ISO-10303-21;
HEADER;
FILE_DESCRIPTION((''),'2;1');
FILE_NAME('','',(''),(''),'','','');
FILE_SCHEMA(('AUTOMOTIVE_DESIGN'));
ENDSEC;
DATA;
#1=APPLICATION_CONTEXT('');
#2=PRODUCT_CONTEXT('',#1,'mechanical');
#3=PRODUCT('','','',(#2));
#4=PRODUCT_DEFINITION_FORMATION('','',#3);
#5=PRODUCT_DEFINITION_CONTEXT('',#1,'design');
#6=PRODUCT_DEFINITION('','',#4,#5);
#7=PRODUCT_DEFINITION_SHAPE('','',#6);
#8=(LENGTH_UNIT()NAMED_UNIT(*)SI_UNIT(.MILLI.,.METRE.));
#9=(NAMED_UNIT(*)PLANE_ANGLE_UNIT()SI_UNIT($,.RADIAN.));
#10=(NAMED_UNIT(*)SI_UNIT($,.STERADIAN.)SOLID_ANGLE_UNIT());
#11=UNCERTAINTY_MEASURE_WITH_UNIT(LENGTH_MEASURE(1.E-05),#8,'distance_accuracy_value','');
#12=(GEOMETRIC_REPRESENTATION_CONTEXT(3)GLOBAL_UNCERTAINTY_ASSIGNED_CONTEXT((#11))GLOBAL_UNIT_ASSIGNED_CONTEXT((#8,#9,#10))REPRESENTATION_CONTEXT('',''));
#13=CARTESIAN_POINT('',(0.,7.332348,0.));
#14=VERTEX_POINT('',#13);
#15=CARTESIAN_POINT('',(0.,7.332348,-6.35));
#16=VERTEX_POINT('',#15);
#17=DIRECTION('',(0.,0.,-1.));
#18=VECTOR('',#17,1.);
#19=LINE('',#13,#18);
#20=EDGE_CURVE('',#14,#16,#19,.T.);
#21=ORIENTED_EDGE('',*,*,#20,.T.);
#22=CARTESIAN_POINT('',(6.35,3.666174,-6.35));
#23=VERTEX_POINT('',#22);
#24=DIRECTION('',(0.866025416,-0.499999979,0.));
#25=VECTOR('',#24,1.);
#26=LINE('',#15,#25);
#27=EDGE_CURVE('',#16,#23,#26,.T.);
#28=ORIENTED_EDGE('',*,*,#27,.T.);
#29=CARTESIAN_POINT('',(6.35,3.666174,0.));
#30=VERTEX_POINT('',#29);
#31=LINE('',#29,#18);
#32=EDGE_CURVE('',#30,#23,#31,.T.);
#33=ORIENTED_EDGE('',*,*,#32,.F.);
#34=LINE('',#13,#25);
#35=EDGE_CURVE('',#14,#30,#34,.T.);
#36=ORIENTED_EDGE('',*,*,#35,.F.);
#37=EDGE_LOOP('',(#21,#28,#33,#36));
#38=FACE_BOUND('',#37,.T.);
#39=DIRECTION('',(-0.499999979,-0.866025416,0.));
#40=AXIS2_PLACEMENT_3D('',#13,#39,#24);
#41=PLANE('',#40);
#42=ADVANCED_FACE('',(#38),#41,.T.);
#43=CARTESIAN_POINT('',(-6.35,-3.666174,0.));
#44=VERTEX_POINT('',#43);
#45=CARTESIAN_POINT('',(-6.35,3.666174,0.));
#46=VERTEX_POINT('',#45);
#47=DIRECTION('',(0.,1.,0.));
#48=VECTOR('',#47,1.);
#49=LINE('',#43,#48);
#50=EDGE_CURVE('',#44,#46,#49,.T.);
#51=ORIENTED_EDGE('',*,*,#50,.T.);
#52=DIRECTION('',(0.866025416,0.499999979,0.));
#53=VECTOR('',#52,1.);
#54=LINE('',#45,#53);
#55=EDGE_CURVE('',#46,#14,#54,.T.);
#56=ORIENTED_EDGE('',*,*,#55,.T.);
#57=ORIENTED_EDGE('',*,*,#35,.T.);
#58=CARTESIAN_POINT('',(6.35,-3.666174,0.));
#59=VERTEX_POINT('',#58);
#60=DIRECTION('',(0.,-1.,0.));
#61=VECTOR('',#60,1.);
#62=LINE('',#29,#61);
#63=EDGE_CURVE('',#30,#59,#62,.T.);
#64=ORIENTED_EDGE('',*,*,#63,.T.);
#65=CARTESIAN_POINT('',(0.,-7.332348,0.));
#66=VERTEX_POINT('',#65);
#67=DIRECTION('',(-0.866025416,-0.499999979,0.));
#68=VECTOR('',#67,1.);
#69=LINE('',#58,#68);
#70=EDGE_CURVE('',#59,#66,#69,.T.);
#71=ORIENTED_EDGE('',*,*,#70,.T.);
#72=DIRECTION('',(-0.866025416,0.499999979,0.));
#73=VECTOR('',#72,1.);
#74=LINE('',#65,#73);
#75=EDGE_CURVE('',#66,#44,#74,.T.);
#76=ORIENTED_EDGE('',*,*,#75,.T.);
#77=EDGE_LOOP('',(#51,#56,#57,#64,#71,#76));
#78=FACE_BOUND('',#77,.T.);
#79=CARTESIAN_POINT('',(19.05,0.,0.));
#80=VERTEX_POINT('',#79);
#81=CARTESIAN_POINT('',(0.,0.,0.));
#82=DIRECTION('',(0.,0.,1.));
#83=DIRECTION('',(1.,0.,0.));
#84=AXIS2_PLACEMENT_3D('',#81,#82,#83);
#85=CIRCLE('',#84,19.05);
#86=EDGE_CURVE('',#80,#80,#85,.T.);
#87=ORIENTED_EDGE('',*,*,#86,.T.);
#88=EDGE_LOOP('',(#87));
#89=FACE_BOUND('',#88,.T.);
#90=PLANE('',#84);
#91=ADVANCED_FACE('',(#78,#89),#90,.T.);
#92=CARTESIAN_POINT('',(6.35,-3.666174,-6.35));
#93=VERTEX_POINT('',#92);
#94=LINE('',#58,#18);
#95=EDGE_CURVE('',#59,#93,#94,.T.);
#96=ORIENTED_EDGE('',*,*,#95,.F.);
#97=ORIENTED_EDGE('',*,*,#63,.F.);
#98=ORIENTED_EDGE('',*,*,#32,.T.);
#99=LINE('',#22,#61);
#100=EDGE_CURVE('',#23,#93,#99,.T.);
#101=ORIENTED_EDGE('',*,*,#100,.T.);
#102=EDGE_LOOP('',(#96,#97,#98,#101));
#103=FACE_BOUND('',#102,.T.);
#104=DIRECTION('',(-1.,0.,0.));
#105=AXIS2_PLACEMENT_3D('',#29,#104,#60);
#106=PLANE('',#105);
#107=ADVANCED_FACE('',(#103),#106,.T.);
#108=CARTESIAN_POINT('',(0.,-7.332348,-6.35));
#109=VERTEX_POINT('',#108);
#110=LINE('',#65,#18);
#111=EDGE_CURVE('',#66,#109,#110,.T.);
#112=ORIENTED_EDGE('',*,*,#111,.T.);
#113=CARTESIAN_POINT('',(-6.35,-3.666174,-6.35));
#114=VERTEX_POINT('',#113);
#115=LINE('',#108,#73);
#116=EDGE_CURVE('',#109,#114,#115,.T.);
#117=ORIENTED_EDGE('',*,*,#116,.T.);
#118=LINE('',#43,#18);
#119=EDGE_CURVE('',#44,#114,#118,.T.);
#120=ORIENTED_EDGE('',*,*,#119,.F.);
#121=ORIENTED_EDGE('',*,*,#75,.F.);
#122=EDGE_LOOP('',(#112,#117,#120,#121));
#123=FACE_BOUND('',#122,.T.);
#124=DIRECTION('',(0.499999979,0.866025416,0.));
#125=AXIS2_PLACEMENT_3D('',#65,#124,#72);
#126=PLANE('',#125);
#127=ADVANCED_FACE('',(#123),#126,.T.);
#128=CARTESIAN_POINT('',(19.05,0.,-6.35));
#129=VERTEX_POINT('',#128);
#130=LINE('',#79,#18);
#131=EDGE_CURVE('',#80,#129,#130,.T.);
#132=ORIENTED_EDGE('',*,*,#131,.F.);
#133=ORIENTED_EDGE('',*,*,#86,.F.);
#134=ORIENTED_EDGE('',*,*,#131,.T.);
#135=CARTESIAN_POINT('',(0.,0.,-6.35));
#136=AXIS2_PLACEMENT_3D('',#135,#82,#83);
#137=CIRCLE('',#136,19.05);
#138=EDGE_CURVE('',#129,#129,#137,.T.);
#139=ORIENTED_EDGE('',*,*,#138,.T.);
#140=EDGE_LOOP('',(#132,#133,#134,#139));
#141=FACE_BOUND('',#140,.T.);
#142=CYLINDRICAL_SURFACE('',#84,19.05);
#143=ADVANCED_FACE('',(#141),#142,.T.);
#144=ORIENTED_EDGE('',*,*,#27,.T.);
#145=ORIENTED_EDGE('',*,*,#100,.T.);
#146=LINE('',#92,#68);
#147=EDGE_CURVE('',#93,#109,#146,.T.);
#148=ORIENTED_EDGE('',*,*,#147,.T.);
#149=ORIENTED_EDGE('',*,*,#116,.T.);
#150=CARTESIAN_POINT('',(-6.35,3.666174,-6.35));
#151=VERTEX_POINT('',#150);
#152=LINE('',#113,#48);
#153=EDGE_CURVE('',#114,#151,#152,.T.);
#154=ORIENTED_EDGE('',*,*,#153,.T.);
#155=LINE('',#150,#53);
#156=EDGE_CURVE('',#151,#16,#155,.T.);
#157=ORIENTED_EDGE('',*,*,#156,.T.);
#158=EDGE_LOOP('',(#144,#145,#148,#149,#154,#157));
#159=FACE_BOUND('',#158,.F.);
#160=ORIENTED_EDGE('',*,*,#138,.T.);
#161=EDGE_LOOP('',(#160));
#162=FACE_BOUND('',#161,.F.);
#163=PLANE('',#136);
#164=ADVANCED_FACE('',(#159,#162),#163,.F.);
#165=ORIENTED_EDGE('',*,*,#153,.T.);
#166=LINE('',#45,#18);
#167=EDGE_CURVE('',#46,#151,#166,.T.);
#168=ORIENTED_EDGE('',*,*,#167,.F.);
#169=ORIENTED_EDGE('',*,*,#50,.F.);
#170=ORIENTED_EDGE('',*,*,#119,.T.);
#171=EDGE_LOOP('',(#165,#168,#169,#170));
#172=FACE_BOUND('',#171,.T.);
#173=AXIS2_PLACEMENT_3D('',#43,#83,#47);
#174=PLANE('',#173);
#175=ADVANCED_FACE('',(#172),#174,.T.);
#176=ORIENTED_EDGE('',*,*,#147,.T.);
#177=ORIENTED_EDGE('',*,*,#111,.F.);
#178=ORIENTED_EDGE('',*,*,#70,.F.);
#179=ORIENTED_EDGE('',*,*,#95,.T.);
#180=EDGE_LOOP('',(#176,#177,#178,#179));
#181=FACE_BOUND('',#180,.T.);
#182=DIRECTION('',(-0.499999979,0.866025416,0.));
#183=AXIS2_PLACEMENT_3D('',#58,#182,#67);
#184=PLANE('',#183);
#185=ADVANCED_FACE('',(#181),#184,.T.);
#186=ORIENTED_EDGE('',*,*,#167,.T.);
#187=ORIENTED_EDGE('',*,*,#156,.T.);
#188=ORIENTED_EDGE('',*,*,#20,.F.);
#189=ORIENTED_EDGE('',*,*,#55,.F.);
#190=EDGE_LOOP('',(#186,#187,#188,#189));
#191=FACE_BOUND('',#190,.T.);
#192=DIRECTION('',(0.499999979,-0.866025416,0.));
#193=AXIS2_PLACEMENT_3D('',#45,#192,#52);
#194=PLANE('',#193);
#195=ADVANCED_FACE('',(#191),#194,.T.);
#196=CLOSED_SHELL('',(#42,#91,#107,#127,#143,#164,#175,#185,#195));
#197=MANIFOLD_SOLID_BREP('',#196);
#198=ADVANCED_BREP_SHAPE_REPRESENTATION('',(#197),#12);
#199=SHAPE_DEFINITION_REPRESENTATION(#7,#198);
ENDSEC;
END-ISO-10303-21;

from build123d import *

# Parameters (mm, degrees)
F0_R     = 19.05
F1_DEPTH = 6.35


with BuildPart() as f1:
    # F0 (on Top) → F1 (new body)
    with BuildSketch(Plane.XY):
        Circle(F0_R)
        Polygon((0, 7.332348), (6.35, 3.666174), (6.35, -3.666174), (0, -7.332348), (-6.35, -3.666174), (-6.35, 3.666174), align=None, mode=Mode.SUBTRACT)
    extrude(amount=-F1_DEPTH)


solid = f1.part
